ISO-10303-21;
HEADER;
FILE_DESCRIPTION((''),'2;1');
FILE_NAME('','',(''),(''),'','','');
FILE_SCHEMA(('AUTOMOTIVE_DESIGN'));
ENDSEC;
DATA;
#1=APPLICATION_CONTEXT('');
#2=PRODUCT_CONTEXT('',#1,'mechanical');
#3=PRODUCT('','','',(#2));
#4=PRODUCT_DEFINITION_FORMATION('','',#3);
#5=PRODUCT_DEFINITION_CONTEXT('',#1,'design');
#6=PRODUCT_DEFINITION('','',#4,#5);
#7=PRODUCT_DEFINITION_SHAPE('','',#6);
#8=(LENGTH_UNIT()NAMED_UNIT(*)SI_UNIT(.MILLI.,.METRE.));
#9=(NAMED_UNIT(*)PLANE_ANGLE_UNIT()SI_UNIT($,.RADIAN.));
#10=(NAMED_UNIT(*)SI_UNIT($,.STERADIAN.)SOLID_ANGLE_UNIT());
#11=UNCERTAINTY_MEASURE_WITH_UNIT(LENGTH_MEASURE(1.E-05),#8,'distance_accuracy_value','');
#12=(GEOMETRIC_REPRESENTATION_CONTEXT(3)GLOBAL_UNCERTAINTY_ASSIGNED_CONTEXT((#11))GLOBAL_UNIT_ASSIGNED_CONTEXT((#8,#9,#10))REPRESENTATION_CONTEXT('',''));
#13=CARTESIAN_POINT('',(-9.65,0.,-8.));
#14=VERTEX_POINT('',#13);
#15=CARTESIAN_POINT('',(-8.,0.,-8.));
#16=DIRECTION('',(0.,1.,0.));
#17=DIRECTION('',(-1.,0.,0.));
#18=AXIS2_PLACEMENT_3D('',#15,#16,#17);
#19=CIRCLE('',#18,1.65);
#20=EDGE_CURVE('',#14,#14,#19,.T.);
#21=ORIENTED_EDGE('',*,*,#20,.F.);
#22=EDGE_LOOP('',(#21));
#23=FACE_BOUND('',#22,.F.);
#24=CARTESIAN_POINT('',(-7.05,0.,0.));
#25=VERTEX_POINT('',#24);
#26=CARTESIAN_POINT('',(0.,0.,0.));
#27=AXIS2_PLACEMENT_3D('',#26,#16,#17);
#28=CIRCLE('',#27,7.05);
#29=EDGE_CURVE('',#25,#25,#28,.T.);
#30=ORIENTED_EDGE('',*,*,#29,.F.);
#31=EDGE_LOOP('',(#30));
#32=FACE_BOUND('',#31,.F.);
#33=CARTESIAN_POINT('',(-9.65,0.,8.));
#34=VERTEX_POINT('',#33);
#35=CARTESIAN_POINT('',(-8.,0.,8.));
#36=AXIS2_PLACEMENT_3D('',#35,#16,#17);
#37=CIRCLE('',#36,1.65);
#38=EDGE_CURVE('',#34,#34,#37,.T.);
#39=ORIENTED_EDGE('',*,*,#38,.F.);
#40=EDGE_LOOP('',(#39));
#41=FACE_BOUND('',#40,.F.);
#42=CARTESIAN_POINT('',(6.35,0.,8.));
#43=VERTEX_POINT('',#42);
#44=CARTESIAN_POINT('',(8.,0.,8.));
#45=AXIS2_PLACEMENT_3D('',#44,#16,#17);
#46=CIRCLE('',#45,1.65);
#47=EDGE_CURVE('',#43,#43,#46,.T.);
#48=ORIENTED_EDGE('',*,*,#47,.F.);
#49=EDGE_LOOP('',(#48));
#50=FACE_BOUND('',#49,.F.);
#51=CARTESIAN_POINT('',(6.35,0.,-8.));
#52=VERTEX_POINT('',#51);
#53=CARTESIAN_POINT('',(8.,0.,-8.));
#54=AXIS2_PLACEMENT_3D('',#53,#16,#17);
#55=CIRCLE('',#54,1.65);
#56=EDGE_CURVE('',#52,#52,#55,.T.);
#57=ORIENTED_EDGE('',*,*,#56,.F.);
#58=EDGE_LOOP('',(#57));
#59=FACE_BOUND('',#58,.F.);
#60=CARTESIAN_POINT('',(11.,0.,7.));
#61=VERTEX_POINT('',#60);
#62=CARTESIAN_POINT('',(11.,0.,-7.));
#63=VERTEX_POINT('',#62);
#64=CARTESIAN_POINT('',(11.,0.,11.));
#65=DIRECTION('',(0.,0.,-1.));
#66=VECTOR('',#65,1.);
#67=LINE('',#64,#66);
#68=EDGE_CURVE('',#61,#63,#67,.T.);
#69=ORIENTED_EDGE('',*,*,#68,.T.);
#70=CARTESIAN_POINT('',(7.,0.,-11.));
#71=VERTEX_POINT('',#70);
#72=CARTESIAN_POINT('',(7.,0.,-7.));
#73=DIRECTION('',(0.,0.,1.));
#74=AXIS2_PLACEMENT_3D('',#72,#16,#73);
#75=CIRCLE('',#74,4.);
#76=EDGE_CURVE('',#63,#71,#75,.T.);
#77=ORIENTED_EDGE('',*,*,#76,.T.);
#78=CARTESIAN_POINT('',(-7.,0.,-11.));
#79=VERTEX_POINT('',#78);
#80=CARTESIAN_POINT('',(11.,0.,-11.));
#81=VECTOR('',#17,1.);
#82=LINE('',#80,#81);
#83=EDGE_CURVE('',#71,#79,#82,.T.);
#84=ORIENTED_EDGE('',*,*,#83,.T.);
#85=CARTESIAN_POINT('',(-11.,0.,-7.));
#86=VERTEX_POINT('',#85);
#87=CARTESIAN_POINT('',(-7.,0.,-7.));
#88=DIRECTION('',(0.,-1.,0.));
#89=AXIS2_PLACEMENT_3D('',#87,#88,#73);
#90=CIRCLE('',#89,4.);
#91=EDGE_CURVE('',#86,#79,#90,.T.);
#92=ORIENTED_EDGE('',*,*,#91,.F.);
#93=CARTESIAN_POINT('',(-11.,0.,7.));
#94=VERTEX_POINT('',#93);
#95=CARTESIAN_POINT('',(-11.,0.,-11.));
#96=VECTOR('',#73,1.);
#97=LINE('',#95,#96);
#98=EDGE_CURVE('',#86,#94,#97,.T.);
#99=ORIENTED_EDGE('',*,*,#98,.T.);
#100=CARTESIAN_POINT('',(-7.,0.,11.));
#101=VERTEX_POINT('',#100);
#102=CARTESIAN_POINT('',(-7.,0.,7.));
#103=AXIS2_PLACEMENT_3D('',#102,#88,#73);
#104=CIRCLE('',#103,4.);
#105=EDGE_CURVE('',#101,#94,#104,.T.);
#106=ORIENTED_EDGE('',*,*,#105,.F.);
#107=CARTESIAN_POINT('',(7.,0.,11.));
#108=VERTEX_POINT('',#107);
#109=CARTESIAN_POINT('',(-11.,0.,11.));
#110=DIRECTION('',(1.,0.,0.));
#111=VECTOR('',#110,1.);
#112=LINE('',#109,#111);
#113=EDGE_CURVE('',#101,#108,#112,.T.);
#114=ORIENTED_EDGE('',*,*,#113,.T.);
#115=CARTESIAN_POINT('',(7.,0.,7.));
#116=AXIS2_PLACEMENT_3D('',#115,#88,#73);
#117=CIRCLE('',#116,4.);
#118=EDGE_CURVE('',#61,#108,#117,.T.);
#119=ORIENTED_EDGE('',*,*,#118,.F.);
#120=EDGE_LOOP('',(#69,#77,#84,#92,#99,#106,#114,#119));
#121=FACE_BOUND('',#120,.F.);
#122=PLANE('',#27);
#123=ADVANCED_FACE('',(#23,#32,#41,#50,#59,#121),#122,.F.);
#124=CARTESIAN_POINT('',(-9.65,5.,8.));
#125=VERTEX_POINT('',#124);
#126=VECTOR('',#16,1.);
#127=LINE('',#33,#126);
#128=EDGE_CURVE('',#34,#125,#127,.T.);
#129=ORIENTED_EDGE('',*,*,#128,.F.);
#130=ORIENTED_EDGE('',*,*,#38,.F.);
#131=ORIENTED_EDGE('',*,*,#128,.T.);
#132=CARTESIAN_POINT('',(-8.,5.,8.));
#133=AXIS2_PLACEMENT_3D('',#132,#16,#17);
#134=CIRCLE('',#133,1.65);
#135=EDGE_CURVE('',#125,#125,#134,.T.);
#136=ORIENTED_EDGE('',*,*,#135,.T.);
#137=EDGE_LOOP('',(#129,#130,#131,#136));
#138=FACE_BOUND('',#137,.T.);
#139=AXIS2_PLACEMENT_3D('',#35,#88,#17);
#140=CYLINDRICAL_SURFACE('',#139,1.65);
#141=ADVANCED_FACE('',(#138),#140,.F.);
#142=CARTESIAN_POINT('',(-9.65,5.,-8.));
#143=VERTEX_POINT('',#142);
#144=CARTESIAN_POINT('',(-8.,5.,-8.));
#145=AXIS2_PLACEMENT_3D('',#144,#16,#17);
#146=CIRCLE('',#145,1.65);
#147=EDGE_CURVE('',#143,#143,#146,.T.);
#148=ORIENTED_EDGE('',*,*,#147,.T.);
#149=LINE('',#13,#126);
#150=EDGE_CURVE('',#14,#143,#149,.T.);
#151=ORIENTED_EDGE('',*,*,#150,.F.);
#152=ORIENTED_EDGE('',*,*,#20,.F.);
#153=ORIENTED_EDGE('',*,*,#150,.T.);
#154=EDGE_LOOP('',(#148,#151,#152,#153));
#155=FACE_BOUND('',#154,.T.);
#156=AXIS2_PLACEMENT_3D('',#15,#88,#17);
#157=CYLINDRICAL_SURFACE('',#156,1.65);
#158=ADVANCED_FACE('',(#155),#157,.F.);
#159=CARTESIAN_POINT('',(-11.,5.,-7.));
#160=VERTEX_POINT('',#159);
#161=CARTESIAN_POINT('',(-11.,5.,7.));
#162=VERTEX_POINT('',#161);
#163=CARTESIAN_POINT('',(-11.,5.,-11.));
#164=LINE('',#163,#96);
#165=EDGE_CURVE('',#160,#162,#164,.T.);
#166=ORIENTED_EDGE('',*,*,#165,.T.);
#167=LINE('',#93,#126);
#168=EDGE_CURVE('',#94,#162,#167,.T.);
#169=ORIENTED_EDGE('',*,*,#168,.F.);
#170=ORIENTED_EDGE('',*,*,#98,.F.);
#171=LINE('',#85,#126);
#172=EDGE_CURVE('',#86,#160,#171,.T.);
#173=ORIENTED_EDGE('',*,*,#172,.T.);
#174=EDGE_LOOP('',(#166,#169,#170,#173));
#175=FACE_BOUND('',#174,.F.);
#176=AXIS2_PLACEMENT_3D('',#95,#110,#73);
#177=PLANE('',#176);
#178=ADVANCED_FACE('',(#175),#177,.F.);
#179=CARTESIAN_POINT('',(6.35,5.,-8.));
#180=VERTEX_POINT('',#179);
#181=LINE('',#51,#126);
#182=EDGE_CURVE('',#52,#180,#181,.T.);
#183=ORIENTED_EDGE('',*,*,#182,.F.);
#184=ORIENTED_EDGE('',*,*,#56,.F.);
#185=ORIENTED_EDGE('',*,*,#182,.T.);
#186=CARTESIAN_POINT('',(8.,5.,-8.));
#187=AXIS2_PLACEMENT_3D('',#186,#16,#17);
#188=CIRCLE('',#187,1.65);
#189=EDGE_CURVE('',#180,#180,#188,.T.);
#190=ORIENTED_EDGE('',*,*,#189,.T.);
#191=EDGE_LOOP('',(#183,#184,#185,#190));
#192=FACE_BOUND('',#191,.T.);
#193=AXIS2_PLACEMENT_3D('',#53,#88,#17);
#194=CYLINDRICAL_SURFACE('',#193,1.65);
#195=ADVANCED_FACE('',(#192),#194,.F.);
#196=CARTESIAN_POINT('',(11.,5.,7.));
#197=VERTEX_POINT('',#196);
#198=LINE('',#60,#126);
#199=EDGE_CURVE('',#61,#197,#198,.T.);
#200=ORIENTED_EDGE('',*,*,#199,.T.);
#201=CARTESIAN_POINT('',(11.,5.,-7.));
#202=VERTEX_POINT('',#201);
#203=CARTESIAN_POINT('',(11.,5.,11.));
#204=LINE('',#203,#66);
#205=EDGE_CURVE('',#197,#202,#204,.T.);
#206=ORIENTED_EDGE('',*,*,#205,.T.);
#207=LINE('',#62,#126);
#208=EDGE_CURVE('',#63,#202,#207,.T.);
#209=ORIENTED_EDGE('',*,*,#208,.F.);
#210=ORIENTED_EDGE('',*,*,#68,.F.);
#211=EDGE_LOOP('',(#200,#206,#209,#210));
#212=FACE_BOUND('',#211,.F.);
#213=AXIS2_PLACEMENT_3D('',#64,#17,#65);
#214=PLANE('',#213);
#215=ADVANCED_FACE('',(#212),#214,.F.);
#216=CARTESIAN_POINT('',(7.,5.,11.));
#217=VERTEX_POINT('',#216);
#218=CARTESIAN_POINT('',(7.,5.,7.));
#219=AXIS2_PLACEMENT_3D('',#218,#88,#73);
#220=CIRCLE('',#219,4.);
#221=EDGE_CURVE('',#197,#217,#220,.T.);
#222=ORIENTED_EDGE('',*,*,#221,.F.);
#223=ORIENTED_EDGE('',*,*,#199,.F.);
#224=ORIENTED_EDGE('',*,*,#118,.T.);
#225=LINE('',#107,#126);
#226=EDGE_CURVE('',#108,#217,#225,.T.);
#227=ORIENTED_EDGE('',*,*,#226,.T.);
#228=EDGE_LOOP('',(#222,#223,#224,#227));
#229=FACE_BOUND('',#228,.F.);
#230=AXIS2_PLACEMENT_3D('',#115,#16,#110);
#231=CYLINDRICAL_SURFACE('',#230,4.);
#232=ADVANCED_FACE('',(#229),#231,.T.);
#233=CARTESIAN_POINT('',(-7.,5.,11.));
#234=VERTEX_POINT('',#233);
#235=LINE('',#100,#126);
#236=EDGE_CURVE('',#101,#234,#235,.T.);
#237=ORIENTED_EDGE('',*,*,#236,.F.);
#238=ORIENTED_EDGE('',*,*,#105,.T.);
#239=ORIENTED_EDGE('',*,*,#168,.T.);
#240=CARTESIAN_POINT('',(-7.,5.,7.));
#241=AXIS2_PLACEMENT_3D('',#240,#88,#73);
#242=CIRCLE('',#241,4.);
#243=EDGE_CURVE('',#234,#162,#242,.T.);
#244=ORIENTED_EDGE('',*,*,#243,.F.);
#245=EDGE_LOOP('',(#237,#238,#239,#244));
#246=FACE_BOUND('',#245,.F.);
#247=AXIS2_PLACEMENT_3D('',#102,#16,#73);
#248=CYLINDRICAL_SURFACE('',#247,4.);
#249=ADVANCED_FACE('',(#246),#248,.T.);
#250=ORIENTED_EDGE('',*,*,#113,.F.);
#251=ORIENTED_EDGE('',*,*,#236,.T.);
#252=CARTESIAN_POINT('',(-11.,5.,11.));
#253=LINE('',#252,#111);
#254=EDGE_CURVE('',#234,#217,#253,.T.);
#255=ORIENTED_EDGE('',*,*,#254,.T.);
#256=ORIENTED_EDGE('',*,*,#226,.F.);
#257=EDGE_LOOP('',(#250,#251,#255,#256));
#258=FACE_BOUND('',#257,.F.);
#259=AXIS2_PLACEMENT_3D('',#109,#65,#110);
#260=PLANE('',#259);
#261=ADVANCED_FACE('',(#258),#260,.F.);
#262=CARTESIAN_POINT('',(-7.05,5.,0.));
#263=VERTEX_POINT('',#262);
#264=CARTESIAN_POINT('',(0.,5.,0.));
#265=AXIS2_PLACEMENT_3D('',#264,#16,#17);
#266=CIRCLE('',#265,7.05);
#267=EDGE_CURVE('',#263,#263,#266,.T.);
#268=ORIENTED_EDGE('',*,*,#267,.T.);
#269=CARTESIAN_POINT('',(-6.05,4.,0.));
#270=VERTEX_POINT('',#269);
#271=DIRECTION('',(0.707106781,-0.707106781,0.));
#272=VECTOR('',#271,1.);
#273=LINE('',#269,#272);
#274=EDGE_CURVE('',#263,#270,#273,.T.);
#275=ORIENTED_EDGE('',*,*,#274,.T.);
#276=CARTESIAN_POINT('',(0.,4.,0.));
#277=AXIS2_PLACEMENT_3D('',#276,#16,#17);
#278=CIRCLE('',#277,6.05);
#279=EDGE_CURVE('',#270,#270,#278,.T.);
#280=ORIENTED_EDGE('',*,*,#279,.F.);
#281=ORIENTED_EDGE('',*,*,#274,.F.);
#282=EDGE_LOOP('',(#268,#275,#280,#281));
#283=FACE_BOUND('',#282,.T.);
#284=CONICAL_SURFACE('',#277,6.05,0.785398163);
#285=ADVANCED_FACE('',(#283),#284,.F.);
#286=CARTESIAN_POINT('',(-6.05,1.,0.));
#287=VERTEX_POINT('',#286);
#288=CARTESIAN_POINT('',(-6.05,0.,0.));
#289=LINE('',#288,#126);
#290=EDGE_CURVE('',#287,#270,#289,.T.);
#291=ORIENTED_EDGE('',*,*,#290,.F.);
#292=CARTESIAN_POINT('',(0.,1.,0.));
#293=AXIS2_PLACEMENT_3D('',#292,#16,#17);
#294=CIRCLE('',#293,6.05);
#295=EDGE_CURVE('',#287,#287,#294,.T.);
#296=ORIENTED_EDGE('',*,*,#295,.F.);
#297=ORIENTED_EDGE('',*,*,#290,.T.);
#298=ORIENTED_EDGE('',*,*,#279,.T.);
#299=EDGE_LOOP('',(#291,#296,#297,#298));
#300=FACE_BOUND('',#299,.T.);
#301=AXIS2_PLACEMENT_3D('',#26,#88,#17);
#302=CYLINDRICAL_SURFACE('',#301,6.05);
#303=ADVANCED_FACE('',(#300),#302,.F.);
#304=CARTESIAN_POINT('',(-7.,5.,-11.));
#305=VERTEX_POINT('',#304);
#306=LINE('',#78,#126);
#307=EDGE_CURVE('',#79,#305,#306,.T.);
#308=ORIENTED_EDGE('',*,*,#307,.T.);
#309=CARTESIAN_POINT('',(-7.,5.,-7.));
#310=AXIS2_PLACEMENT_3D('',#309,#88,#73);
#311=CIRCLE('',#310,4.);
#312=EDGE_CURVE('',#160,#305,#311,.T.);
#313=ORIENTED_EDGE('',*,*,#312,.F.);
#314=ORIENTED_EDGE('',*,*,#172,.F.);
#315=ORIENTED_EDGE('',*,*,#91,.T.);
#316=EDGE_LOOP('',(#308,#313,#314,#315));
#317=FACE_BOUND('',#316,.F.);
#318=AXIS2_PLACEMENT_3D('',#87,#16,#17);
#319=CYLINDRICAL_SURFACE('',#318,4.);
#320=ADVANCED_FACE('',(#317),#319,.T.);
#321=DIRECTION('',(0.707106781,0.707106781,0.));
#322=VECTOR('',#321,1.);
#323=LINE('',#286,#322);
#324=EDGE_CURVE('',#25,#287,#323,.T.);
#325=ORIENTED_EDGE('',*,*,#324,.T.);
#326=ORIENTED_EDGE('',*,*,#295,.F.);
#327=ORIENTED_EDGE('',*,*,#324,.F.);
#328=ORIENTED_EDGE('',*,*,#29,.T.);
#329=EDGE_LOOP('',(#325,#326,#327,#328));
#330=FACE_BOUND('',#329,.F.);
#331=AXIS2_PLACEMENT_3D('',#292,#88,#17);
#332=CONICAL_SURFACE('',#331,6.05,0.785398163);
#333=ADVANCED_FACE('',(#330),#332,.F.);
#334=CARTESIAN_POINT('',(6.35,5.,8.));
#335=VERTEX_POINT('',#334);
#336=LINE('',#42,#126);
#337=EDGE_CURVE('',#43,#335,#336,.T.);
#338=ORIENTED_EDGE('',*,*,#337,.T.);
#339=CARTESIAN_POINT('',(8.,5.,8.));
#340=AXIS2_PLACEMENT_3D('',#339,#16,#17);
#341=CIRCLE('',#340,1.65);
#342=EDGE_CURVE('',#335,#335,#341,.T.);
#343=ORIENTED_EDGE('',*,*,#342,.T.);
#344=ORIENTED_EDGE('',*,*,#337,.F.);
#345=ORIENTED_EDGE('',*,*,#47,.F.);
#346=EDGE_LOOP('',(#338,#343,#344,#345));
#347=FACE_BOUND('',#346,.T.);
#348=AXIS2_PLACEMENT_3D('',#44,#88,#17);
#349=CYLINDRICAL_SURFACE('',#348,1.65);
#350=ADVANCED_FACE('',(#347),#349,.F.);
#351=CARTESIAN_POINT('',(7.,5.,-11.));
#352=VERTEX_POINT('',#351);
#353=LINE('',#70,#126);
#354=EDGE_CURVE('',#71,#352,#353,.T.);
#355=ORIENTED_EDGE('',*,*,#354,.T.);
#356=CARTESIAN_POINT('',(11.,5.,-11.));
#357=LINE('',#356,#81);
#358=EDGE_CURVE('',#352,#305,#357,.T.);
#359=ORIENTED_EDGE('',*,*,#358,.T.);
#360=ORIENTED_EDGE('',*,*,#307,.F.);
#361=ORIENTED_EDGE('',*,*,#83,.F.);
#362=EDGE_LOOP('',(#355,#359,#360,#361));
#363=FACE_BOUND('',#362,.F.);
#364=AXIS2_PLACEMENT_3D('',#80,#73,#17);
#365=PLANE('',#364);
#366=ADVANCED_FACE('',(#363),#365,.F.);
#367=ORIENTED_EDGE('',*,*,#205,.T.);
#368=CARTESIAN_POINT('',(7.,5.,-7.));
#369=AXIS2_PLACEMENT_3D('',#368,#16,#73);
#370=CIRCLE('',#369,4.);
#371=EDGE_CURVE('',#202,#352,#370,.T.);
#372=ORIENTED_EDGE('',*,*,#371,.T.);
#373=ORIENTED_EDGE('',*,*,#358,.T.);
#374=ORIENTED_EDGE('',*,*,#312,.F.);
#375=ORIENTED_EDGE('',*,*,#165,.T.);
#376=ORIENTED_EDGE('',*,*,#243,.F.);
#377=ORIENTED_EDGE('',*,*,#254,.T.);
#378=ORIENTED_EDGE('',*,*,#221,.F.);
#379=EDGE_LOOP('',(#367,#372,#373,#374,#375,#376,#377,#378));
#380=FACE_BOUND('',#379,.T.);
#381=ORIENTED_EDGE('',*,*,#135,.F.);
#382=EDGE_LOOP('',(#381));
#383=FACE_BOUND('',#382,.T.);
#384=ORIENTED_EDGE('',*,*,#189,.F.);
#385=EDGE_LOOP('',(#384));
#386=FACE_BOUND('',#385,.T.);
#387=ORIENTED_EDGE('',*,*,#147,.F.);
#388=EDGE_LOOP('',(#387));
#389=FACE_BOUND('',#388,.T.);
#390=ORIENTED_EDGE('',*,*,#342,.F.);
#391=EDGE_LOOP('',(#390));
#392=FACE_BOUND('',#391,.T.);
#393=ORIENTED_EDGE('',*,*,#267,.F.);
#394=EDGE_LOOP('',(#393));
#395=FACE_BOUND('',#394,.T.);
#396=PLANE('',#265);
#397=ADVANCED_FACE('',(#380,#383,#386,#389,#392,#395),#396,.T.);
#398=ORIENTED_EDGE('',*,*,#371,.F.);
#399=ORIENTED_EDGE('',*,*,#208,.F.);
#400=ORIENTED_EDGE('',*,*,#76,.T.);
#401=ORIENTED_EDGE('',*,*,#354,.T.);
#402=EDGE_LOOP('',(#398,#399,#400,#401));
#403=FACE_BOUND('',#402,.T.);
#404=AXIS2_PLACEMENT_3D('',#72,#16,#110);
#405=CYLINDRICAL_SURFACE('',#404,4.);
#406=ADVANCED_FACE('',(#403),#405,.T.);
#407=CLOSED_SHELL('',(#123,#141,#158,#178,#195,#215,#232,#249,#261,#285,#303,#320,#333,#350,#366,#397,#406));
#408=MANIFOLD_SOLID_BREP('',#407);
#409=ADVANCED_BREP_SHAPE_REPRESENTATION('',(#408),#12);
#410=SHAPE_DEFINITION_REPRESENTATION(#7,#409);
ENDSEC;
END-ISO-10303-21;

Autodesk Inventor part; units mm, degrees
ref_plane "YZ Plane" through (0, 0, 0) normal (1, 0, 0) x (0, 1, 0)
ref_plane "XZ Plane" through (0, 0, 0) normal (0, 1, 0) x (-1, 0, 0)
ref_plane "XY Plane" through (0, 0, 0) normal (0, 0, 1) x (1, 0, 0)
sketch "Sketch1" plane through (0, 0, 0) normal (0, 1, 0) x (-1, 0, 0)
  line L0 (-8, -8) -> (8, -8) construction
  line L1 (8, -8) -> (8, 8) construction
  line L2 (8, 8) -> (-8, 8) construction
  line L3 (-8, 8) -> (-8, -8) construction
  line L4 (-8, -8) -> (8, 8) construction
  line L5 (8, -8) -> (-8, 8) construction
  circle A0 centre (-8, 8) radius 1.65
  line L6 (0, 0) -> (0, 2.722) construction
  line L7 (0, 2.722) -> (0, 0) construction
  line L8 (-3.7265, 0) -> (0, 0) construction
  circle A1 centre (8, 8) radius 1.65
  line L9 (8, -8) -> (-8, -8) construction
  circle A2 centre (-8, -8) radius 1.65
  circle A3 centre (8, -8) radius 1.65
  line L10 (-11, -11) -> (11, -11)
  line L11 (11, -11) -> (11, 11)
  line L12 (11, 11) -> (-11, 11)
  line L13 (-11, 11) -> (-11, -11)
  line L14 (-11, -11) -> (11, 11) construction
  line L15 (11, -11) -> (-11, 11) construction
  circle A4 centre (0, 0) radius 6.05
  dimension "d0" = 16
  dimension "d1" = 16
  dimension "d2" = 3.3
  dimension "d3" = 22
  dimension "d4" = 22
  dimension "d5" = 12.1
extrude "Extrusion1" add sketch "Sketch1" along normal blind 5
fillet "Fillet1" radius 4 4 edges at (-11, 2.5, -11) (-11, 2.5, 11) (11, 2.5, 11) (11, 2.5, -11)
chamfer "Chamfer1" distance 1 angle 45 2 edges at (6.05, 5, 0) (6.05, 0, 0)
properties part number "Chumacera" material "ABS Plastic"
